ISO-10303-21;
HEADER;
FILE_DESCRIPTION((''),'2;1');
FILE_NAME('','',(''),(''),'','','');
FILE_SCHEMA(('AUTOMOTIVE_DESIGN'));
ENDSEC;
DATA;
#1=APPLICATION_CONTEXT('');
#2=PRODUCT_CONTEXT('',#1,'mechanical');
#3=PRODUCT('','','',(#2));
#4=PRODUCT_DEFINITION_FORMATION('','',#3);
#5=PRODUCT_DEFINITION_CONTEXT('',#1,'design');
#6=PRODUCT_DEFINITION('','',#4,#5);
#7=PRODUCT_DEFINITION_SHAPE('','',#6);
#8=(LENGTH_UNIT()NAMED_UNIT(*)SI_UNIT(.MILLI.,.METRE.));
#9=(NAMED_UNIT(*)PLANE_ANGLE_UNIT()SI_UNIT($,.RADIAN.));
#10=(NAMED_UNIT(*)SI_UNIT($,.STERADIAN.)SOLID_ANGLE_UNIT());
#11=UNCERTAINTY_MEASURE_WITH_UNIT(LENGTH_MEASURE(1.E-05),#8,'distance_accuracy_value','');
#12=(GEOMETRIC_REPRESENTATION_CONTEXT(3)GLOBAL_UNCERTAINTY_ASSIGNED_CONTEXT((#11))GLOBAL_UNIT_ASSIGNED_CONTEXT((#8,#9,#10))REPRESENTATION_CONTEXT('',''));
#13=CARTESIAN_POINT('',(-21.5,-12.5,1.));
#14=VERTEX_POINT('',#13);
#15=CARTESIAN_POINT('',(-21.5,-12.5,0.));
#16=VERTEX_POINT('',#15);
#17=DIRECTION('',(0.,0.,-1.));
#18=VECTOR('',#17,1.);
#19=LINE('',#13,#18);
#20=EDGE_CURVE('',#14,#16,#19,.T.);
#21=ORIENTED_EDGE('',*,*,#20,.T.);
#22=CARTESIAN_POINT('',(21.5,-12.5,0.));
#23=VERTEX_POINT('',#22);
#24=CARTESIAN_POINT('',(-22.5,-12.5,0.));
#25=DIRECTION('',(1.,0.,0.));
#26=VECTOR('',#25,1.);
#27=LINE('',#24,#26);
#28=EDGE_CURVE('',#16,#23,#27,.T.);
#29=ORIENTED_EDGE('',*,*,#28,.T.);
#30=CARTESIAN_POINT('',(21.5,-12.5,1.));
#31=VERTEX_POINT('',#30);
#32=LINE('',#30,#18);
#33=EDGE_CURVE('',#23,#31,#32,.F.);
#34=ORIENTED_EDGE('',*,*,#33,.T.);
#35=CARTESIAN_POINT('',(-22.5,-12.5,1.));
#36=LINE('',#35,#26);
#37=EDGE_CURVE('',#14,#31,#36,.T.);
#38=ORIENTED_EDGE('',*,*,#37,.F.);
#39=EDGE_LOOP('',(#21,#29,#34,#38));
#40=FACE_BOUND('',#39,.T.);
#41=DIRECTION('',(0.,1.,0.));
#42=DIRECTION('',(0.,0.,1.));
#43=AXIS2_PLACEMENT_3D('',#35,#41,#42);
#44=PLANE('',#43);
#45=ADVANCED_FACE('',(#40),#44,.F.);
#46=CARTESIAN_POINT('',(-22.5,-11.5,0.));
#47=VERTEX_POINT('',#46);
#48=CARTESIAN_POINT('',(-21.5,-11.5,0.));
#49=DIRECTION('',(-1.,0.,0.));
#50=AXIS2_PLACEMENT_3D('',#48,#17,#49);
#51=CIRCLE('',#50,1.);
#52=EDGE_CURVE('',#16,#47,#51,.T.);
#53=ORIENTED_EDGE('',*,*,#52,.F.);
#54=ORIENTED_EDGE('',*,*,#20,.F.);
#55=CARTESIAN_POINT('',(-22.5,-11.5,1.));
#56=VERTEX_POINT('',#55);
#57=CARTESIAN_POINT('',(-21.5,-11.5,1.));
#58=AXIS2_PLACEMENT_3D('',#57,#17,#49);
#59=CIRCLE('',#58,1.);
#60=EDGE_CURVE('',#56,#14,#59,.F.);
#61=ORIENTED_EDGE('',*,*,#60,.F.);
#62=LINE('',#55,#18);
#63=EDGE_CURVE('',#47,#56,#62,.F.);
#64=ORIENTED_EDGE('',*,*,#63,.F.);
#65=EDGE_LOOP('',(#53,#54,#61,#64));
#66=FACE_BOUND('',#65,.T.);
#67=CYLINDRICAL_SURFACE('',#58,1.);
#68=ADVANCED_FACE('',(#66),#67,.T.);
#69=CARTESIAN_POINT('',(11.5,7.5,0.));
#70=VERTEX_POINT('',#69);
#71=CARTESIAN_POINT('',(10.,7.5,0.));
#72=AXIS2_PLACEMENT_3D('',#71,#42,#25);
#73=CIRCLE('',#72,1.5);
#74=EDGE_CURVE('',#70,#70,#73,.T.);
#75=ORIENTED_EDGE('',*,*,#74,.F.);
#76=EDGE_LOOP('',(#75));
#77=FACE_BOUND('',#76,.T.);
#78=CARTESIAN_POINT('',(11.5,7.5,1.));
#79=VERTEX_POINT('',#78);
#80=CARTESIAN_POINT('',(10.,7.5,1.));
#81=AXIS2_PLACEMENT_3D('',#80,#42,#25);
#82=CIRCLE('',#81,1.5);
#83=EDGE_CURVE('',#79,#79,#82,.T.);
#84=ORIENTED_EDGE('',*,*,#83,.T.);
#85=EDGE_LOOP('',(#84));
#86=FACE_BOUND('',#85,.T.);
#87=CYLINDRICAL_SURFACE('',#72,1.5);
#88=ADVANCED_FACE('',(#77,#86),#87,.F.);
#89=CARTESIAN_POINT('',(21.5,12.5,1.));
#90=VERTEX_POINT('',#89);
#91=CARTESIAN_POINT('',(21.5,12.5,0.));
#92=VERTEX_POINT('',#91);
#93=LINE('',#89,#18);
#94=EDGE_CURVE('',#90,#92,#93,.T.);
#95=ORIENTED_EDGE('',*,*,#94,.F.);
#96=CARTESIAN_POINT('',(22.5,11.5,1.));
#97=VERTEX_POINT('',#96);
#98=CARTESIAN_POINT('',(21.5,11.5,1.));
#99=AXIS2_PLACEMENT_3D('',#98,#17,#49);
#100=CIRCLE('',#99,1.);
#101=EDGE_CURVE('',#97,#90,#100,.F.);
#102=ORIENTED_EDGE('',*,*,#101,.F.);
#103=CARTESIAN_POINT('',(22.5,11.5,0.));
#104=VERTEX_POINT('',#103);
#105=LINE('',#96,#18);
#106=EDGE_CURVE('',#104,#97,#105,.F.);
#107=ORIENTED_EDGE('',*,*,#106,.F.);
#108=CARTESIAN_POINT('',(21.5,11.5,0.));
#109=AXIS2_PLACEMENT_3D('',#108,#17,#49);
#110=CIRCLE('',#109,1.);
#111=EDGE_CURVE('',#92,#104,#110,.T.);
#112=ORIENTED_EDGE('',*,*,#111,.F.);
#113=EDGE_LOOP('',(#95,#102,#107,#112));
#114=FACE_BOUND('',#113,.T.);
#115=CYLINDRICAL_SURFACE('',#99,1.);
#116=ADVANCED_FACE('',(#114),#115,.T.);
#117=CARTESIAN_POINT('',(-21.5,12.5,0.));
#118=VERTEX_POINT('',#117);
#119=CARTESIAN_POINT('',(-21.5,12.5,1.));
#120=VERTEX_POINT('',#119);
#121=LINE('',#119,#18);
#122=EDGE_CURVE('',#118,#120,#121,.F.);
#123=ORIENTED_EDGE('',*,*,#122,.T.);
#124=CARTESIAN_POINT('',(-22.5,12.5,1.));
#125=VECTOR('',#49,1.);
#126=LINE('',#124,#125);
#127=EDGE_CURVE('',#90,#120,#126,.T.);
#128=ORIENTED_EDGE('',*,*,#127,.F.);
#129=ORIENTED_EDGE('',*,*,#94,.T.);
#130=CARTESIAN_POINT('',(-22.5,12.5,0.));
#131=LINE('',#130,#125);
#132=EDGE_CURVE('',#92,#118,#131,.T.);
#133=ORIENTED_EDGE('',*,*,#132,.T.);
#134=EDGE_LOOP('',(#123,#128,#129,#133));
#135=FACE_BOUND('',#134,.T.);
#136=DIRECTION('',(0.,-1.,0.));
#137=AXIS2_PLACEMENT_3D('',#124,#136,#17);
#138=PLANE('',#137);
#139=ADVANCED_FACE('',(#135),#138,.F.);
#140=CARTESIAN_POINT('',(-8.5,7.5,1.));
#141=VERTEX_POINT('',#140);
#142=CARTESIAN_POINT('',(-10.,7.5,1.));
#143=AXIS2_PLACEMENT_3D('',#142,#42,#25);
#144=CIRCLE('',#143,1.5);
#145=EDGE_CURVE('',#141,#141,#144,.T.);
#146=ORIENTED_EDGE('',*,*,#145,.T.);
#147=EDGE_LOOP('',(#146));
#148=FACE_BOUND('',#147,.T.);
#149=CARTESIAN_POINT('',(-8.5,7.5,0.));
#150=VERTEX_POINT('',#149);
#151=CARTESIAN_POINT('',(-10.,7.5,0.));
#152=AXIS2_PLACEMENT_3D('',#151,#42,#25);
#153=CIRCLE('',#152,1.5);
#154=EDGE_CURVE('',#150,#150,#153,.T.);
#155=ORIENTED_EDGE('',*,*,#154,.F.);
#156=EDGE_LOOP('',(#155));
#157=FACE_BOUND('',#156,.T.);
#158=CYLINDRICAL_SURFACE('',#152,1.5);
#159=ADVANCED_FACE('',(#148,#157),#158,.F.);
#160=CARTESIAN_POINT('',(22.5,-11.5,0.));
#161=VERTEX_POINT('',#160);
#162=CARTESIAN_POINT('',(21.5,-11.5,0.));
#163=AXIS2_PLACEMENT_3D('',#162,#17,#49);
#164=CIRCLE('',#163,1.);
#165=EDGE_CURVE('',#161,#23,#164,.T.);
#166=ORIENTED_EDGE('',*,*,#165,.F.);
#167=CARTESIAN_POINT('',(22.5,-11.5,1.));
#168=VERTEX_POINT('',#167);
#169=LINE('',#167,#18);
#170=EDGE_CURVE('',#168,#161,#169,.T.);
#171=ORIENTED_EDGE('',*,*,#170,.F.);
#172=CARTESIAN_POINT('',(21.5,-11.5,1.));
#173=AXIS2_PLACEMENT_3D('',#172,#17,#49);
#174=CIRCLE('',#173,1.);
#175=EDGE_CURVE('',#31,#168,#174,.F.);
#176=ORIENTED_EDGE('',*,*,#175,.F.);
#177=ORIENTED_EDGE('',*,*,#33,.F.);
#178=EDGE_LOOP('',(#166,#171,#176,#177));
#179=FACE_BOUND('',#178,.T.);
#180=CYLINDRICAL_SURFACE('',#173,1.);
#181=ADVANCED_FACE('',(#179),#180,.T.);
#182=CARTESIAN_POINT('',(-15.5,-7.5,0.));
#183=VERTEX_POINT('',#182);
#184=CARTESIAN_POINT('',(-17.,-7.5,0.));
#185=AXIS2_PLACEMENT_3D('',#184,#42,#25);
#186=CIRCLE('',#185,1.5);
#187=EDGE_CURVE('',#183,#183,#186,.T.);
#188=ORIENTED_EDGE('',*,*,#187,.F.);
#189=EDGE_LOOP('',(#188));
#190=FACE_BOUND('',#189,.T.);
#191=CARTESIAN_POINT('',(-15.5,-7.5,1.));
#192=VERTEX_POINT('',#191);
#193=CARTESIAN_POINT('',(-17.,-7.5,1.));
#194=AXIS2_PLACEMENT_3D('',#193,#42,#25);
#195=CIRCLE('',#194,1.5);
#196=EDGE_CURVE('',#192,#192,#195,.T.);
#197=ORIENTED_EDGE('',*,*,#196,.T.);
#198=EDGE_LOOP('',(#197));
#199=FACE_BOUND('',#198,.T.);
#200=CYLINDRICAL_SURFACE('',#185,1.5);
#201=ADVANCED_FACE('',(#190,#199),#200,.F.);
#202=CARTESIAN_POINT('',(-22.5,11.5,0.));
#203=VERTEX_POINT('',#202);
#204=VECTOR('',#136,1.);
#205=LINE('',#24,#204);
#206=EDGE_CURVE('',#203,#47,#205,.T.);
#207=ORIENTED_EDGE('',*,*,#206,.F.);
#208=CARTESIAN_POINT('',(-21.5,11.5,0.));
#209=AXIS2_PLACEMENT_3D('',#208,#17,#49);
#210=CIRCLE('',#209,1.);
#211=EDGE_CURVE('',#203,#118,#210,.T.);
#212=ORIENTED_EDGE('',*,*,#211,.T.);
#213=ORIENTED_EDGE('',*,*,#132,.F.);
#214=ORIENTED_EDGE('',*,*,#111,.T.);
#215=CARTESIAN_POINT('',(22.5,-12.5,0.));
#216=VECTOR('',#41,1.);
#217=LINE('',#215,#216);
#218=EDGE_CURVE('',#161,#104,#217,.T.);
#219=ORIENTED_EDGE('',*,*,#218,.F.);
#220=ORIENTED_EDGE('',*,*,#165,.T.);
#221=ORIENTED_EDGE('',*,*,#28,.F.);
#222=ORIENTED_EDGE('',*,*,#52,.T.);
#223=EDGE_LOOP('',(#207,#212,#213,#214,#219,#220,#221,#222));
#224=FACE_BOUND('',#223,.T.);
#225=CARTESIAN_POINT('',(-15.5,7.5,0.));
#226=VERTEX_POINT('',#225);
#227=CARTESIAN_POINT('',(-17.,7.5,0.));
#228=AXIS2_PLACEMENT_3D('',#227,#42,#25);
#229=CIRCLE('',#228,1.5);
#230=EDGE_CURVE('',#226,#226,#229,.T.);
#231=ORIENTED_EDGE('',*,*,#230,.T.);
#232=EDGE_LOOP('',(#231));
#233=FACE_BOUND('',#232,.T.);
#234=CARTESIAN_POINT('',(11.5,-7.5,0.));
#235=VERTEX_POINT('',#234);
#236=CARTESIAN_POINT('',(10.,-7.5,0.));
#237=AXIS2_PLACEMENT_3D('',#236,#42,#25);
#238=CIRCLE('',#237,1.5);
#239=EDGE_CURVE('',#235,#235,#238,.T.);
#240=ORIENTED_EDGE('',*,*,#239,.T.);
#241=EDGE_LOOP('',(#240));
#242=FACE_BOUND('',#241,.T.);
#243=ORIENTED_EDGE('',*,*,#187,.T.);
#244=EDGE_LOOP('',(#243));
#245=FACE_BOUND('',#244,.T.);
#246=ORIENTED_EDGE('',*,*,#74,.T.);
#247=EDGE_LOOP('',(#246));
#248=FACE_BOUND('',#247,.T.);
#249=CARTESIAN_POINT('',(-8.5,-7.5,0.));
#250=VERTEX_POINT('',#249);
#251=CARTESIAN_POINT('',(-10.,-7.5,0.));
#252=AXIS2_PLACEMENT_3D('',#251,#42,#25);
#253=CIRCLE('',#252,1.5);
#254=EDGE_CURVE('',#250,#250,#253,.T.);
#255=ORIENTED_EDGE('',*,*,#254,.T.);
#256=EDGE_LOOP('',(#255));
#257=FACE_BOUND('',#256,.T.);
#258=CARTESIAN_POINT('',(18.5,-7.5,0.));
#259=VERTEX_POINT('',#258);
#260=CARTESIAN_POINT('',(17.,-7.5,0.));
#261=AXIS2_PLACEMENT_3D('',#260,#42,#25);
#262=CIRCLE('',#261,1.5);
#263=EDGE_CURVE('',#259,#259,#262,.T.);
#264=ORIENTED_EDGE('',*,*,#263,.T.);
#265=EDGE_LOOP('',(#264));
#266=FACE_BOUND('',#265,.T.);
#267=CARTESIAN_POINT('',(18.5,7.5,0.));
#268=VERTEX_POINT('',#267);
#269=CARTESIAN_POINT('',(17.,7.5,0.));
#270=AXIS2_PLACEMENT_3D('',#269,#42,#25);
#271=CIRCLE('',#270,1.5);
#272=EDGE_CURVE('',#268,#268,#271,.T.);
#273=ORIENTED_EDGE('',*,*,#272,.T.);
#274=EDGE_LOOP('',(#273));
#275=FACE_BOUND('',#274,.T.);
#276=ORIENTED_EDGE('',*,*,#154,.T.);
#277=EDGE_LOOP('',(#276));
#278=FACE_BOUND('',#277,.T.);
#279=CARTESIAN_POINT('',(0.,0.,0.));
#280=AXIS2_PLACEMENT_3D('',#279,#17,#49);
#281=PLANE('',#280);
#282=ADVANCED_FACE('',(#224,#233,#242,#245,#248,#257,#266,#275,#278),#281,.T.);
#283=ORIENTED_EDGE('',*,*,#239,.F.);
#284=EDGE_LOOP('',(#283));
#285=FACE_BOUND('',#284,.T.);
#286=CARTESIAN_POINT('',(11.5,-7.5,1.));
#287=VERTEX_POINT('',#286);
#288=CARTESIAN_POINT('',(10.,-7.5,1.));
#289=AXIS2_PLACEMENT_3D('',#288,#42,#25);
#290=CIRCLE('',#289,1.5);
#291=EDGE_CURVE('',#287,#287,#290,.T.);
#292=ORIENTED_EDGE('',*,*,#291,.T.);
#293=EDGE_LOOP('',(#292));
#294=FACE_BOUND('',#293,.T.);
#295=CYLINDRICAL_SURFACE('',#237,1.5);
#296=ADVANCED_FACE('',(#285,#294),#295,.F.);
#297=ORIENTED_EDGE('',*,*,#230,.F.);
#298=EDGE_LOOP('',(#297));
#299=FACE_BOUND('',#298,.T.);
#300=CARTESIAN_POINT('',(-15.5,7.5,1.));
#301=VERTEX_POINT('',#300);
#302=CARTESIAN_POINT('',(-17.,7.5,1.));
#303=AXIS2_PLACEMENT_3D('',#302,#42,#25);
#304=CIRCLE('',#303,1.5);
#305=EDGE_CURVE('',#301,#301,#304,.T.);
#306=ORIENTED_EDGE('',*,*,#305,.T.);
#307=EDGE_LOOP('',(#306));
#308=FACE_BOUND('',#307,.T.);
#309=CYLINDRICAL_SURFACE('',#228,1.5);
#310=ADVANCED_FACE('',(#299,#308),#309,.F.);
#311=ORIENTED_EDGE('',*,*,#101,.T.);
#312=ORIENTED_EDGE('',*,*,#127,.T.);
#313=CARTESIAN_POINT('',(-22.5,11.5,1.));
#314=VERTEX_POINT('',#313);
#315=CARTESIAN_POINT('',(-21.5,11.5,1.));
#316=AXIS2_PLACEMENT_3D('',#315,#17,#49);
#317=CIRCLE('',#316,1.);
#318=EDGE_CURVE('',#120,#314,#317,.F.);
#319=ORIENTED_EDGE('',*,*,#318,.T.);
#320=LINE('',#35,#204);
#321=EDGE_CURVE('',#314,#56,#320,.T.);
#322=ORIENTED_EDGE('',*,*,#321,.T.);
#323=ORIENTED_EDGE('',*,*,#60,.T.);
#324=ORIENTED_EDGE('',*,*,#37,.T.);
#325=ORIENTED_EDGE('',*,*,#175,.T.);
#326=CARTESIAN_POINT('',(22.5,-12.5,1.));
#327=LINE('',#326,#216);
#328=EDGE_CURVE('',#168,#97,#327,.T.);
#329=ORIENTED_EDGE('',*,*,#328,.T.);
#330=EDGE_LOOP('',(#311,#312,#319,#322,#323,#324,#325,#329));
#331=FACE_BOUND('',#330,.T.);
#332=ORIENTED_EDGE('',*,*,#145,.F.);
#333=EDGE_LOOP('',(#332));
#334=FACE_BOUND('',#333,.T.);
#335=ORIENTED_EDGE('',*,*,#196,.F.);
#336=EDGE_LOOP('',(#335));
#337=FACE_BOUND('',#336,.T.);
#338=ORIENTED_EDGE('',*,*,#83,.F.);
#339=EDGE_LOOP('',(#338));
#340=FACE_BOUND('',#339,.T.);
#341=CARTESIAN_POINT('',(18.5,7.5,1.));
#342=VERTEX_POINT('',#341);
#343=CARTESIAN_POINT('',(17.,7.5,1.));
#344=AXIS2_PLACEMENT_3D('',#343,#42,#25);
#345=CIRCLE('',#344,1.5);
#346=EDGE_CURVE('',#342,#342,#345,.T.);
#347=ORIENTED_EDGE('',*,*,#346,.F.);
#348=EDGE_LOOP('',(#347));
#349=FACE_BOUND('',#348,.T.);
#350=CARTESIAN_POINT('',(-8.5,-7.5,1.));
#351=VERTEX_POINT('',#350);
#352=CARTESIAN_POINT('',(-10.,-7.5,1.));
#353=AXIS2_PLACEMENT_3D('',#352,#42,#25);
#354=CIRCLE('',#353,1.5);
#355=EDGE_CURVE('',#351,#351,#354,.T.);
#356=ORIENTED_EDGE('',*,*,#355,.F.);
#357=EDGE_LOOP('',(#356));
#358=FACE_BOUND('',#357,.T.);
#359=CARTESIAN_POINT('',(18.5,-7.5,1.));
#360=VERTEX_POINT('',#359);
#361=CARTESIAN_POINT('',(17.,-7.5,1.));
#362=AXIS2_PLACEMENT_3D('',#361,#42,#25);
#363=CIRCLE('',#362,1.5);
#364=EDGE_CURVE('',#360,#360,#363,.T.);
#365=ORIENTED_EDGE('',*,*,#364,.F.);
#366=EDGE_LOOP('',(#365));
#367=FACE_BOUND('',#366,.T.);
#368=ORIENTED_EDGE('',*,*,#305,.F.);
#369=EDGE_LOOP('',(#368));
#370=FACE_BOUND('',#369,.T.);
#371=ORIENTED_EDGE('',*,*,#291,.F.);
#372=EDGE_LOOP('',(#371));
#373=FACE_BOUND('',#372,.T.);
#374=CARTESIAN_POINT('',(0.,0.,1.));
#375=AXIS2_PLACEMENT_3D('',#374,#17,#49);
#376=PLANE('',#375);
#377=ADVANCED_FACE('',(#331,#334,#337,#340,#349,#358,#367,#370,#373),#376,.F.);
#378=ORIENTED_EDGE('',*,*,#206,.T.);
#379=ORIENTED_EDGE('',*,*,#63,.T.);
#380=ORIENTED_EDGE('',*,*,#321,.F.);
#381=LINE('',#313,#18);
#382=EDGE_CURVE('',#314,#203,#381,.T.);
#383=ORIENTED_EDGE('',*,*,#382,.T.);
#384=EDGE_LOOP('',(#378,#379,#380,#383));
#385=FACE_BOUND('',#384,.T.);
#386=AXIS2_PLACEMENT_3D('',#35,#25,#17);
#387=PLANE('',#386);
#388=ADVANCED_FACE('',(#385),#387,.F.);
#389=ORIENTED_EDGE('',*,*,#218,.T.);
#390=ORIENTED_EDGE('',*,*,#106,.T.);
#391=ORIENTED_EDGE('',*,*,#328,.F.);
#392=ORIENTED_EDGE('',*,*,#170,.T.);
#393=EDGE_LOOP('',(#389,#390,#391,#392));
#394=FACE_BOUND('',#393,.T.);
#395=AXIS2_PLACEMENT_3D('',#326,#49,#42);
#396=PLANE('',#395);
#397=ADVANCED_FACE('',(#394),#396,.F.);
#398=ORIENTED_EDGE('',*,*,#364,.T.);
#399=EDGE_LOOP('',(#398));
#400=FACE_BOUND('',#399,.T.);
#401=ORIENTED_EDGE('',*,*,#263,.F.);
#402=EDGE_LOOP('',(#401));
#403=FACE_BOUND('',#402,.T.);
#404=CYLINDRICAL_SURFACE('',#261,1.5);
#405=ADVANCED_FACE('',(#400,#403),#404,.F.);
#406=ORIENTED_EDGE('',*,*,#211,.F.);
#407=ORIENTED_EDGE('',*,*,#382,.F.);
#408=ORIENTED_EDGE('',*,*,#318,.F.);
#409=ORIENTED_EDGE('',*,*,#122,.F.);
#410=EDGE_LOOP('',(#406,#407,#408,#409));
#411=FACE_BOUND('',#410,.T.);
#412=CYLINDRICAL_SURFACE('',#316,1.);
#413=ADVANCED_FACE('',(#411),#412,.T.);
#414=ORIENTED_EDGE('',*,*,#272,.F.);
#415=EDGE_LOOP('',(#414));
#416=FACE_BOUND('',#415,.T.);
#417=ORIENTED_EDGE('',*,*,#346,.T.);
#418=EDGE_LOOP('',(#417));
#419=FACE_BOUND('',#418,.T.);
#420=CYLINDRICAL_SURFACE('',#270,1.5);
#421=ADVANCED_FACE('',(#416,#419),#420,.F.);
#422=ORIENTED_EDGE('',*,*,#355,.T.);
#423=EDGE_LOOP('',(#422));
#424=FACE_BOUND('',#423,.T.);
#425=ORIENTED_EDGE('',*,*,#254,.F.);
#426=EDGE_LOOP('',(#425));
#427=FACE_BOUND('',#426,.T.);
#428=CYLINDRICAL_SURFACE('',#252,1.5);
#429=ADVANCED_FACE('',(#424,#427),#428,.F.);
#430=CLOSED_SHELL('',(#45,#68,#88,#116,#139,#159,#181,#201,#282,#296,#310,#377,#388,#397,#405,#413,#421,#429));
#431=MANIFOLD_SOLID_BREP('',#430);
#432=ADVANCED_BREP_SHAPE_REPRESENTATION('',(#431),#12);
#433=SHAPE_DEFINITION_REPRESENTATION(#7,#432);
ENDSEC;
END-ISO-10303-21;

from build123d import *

# Parameters (mm, degrees)
SKETCH1_W           = 45
SKETCH1_H           = 25
BOSS_EXTRUDE1_DEPTH = 1
SKETCH2_R           = 1.5
CUT_EXTRUDE1_DEPTH  = 2
FILLET1_R           = 1


with BuildPart() as part:
    # Sketch1 → Boss-Extrude1 (new body)
    with BuildSketch(Plane.XY):
        Rectangle(SKETCH1_W, SKETCH1_H)
    extrude(amount=BOSS_EXTRUDE1_DEPTH)

    # Sketch2 → Cut-Extrude1 (cut, through all)
    with BuildSketch(Plane.XY.offset(1)):
        with Locations((17, 7.5)):
            Circle(SKETCH2_R)
        with Locations((10, 7.5)):
            Circle(SKETCH2_R)
        with Locations((-17, 7.5)):
            Circle(SKETCH2_R)
        with Locations((-10, 7.5)):
            Circle(SKETCH2_R)
        with Locations((17, -7.5)):
            Circle(SKETCH2_R)
        with Locations((10, -7.5)):
            Circle(SKETCH2_R)
        with Locations((-17, -7.5)):
            Circle(SKETCH2_R)
        with Locations((-10, -7.5)):
            Circle(SKETCH2_R)
    extrude(amount=-CUT_EXTRUDE1_DEPTH, mode=Mode.SUBTRACT)

    # Fillet1
    fillet1_edges = [part.edges().sort_by_distance(p)[0] for p in [
        (22.5, -12.5, 0.5),
        (-22.5, -12.5, 0.5),
        (-22.5, 12.5, 0.5),
        (22.5, 12.5, 0.5),
    ]]
    fillet(fillet1_edges, radius=FILLET1_R)


solid = part.part
